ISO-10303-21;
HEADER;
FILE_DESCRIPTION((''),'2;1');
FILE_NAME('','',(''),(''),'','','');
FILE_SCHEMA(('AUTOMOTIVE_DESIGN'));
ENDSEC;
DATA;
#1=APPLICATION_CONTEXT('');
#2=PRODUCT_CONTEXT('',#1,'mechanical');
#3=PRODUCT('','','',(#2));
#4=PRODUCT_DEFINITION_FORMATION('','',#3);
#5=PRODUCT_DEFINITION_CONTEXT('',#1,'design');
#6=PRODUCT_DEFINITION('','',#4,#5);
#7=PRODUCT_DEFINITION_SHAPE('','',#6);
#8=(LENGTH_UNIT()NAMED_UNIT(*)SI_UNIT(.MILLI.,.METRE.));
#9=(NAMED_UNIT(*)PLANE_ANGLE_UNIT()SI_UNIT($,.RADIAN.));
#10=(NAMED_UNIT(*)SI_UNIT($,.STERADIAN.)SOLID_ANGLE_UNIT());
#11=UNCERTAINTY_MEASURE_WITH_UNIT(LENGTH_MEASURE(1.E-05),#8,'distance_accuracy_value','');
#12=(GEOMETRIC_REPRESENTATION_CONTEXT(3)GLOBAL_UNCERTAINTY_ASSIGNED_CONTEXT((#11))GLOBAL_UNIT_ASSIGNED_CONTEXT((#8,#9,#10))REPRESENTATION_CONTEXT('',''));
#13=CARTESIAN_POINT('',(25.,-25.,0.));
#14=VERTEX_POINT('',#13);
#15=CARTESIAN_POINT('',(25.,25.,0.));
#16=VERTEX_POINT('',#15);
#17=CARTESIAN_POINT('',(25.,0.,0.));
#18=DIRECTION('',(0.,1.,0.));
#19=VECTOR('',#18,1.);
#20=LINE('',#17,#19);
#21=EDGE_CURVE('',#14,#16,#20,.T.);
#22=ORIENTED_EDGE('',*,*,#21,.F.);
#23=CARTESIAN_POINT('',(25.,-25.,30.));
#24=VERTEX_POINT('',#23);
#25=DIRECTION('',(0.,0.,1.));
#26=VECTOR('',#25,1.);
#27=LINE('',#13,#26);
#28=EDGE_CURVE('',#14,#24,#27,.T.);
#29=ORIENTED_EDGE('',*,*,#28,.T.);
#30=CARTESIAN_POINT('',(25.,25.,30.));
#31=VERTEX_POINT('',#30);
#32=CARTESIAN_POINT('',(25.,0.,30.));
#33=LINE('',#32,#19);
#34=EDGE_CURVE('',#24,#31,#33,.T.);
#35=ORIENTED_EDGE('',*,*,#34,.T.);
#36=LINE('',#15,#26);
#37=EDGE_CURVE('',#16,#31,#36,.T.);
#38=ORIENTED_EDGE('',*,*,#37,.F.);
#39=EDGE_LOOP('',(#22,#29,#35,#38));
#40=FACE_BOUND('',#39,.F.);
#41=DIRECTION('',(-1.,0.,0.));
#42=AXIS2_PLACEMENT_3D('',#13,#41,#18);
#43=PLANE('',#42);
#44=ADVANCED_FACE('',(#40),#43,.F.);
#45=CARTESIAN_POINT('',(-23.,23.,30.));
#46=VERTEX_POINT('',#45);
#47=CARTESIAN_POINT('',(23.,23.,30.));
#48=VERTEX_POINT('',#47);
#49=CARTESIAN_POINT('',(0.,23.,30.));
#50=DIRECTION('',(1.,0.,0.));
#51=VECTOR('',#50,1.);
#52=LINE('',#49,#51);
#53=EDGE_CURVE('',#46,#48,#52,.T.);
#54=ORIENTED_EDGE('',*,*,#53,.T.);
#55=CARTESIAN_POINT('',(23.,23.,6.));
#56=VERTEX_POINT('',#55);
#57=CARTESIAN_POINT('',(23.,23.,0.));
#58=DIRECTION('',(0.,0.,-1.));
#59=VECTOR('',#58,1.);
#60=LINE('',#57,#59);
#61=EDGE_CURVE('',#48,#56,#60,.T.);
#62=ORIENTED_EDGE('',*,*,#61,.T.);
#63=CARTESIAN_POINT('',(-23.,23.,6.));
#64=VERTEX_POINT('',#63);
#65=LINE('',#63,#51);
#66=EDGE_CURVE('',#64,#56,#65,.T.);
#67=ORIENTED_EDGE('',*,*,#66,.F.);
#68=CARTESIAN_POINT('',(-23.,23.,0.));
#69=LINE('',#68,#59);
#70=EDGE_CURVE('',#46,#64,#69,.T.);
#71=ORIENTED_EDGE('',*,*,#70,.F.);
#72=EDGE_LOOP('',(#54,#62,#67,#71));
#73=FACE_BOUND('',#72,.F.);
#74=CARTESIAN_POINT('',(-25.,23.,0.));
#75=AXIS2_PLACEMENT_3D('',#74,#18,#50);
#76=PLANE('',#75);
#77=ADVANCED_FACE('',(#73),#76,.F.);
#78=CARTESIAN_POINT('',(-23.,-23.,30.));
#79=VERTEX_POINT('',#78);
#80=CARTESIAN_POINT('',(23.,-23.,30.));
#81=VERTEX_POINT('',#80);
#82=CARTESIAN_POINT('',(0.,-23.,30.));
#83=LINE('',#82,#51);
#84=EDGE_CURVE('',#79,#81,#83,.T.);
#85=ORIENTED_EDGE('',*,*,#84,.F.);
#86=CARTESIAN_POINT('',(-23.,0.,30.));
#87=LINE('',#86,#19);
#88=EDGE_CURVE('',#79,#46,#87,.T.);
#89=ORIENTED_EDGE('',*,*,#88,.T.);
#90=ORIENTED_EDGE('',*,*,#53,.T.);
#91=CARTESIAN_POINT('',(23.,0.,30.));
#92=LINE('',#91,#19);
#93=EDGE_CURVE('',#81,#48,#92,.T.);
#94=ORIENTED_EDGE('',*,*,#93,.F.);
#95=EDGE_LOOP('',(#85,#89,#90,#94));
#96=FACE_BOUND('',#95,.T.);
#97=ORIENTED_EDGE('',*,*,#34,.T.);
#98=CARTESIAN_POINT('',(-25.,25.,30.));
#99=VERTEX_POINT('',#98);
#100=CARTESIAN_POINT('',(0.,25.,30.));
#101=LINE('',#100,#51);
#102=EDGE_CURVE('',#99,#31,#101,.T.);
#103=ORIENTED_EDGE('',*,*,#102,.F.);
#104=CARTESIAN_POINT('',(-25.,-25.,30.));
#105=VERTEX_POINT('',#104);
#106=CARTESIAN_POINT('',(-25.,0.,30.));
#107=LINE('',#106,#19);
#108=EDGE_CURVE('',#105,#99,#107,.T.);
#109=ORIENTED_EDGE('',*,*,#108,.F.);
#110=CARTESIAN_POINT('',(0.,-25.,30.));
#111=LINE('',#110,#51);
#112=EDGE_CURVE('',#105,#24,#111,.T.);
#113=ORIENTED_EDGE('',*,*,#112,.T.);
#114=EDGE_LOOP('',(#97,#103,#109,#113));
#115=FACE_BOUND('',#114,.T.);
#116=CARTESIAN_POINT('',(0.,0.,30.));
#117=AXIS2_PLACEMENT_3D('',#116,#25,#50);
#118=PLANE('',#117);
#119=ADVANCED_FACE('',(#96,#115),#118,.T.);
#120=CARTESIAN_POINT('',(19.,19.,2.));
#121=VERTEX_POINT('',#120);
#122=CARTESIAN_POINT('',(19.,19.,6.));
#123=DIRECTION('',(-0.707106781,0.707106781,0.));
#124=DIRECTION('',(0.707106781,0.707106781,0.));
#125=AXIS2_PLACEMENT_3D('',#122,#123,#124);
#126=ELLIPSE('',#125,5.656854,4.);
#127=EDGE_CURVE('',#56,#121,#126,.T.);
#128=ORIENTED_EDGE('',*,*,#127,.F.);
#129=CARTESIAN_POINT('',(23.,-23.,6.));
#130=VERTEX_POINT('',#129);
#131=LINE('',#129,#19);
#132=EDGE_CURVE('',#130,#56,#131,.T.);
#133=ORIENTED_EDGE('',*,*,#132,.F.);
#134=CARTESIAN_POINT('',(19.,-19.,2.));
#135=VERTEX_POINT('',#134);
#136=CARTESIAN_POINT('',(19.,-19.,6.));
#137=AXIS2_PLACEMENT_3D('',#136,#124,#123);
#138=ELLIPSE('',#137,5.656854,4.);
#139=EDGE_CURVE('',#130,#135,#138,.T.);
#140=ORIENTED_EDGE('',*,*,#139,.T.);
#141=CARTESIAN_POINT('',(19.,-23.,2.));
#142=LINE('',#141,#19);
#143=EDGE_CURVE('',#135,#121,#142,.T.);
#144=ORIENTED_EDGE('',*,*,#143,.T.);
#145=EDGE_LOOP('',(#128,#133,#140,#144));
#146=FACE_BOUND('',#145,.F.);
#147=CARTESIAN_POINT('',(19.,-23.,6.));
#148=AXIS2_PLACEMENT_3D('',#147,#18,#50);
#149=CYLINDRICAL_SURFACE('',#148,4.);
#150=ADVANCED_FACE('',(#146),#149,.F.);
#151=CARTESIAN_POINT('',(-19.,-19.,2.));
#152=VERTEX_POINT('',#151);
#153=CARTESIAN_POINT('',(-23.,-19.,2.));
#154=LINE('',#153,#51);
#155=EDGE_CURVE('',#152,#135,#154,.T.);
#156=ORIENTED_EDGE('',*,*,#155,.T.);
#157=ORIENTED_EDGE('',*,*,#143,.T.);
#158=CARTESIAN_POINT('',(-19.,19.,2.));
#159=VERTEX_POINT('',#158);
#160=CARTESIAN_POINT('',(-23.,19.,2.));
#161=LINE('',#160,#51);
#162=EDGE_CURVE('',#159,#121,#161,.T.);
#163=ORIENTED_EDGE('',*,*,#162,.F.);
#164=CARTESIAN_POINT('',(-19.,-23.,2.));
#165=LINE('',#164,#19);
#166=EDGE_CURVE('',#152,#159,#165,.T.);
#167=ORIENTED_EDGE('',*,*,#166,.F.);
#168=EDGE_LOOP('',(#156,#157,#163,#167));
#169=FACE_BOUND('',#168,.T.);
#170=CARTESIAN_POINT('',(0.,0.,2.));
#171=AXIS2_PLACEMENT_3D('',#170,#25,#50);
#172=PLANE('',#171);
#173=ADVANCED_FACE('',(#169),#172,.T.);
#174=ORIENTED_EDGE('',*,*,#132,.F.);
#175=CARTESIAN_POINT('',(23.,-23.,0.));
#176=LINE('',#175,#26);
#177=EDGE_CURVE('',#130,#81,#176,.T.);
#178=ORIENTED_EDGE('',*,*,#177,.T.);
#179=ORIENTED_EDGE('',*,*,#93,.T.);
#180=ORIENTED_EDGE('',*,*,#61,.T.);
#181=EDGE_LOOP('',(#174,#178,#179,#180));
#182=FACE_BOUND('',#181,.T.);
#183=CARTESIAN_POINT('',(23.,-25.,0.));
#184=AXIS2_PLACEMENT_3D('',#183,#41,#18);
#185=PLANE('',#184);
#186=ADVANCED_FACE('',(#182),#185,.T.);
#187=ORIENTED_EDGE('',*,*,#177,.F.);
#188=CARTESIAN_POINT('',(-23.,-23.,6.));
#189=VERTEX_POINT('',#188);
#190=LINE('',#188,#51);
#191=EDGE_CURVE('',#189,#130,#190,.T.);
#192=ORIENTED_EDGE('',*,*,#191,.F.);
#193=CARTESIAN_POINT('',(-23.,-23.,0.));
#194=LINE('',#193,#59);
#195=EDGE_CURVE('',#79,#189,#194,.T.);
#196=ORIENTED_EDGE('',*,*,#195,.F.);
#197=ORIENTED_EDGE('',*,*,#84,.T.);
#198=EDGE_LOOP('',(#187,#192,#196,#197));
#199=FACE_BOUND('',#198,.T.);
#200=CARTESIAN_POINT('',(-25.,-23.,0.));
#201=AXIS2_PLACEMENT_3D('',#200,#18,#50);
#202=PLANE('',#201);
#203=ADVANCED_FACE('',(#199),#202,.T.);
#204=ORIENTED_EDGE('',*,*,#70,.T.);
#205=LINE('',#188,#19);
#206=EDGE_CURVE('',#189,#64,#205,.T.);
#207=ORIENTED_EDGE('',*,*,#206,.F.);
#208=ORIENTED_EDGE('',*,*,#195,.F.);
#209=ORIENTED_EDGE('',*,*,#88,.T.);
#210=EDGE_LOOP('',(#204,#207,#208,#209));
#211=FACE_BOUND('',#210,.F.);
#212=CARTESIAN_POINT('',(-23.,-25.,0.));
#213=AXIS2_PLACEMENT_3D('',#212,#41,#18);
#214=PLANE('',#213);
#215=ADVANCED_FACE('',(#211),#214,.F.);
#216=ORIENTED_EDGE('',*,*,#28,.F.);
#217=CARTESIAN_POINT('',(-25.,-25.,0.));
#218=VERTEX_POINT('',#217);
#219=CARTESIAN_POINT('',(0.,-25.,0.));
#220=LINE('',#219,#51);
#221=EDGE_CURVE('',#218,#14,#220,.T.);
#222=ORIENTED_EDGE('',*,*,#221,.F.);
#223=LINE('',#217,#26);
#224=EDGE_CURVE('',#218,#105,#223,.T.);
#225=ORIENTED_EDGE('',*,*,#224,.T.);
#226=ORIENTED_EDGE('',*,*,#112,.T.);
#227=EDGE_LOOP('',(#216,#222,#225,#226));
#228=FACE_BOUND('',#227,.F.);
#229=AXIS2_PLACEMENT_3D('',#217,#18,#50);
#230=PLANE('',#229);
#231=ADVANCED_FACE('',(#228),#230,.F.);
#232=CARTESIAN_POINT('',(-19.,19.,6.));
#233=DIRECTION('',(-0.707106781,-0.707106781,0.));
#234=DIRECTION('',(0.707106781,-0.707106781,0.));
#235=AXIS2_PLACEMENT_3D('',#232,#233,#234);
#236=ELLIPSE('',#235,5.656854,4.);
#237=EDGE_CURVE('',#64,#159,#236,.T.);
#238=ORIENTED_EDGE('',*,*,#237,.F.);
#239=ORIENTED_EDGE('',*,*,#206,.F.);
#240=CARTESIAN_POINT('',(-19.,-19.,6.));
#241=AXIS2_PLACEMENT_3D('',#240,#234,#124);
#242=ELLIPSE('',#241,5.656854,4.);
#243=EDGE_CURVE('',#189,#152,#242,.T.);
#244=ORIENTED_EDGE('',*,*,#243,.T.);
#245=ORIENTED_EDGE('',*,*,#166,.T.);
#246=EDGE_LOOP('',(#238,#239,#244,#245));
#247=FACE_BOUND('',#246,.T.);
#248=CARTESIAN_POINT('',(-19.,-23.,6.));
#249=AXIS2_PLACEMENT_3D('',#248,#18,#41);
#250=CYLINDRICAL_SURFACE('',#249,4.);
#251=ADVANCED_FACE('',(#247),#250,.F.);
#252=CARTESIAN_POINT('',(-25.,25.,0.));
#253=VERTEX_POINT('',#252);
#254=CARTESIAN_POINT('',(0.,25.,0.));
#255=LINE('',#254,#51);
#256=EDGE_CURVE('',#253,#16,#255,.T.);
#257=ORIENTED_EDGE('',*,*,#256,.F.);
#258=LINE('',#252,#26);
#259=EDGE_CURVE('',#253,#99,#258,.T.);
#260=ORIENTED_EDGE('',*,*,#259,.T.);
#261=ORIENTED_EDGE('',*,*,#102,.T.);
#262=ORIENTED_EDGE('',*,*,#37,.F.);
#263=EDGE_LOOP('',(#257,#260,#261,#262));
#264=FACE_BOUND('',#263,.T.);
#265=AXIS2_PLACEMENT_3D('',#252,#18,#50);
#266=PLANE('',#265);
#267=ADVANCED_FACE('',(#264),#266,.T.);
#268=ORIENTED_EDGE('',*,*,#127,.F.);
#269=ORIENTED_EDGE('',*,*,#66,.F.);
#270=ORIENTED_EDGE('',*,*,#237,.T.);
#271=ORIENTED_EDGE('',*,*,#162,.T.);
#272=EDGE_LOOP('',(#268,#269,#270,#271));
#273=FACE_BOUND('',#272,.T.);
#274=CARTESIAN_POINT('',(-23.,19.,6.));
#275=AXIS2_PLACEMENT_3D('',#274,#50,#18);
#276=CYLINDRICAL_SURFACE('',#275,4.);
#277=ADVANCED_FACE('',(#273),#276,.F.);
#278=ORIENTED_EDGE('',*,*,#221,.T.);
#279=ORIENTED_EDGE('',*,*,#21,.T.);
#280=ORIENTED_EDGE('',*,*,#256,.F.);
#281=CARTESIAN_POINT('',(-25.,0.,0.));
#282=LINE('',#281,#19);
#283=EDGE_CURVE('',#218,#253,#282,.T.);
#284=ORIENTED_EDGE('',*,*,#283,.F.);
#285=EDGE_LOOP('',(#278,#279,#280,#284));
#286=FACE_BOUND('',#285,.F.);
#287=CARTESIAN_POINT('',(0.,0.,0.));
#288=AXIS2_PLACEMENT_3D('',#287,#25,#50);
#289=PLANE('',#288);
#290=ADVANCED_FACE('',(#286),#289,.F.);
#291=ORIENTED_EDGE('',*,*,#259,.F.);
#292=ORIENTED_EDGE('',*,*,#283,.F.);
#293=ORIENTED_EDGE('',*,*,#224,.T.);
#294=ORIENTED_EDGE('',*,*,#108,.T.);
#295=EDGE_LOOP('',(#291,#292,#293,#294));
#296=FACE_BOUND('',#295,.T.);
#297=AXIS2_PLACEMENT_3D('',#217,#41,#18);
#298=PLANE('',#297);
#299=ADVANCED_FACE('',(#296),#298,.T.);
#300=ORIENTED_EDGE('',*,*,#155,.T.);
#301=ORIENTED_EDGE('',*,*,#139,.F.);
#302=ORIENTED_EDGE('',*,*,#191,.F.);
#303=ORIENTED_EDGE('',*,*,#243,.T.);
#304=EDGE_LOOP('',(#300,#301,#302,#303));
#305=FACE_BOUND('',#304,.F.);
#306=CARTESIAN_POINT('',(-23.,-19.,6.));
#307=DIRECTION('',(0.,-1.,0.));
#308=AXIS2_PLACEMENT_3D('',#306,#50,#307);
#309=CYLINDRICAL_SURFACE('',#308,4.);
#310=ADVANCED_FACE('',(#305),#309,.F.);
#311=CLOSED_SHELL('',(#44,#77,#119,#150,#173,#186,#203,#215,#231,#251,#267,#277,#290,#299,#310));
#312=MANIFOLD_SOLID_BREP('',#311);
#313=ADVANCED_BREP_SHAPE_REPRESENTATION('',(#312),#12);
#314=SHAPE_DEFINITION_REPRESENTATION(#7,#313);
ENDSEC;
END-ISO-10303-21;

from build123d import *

# Parameters (mm, degrees)
F2_W     = 50
F2_H     = 50
F3_DEPTH = 30
F4_T     = -2
F5_R     = 4


with BuildPart() as f3:
    # F2 (on Top) → F3 (new body)
    with BuildSketch(Plane.XY):
        Rectangle(F2_W, F2_H)
    extrude(amount=F3_DEPTH)

    # F4
    f4_openings = [f3.faces().sort_by_distance(p)[0] for p in [
        (0, 0, 30),
    ]]
    offset(amount=F4_T, openings=f4_openings)

    # F5
    f5_edges = [f3.edges().sort_by_distance(p)[0] for p in [
        (0, 23, 2),
        (-23, 0, 2),
        (23, 0, 2),
        (0, -23, 2),
    ]]
    fillet(f5_edges, radius=F5_R)


solid = f3.part
